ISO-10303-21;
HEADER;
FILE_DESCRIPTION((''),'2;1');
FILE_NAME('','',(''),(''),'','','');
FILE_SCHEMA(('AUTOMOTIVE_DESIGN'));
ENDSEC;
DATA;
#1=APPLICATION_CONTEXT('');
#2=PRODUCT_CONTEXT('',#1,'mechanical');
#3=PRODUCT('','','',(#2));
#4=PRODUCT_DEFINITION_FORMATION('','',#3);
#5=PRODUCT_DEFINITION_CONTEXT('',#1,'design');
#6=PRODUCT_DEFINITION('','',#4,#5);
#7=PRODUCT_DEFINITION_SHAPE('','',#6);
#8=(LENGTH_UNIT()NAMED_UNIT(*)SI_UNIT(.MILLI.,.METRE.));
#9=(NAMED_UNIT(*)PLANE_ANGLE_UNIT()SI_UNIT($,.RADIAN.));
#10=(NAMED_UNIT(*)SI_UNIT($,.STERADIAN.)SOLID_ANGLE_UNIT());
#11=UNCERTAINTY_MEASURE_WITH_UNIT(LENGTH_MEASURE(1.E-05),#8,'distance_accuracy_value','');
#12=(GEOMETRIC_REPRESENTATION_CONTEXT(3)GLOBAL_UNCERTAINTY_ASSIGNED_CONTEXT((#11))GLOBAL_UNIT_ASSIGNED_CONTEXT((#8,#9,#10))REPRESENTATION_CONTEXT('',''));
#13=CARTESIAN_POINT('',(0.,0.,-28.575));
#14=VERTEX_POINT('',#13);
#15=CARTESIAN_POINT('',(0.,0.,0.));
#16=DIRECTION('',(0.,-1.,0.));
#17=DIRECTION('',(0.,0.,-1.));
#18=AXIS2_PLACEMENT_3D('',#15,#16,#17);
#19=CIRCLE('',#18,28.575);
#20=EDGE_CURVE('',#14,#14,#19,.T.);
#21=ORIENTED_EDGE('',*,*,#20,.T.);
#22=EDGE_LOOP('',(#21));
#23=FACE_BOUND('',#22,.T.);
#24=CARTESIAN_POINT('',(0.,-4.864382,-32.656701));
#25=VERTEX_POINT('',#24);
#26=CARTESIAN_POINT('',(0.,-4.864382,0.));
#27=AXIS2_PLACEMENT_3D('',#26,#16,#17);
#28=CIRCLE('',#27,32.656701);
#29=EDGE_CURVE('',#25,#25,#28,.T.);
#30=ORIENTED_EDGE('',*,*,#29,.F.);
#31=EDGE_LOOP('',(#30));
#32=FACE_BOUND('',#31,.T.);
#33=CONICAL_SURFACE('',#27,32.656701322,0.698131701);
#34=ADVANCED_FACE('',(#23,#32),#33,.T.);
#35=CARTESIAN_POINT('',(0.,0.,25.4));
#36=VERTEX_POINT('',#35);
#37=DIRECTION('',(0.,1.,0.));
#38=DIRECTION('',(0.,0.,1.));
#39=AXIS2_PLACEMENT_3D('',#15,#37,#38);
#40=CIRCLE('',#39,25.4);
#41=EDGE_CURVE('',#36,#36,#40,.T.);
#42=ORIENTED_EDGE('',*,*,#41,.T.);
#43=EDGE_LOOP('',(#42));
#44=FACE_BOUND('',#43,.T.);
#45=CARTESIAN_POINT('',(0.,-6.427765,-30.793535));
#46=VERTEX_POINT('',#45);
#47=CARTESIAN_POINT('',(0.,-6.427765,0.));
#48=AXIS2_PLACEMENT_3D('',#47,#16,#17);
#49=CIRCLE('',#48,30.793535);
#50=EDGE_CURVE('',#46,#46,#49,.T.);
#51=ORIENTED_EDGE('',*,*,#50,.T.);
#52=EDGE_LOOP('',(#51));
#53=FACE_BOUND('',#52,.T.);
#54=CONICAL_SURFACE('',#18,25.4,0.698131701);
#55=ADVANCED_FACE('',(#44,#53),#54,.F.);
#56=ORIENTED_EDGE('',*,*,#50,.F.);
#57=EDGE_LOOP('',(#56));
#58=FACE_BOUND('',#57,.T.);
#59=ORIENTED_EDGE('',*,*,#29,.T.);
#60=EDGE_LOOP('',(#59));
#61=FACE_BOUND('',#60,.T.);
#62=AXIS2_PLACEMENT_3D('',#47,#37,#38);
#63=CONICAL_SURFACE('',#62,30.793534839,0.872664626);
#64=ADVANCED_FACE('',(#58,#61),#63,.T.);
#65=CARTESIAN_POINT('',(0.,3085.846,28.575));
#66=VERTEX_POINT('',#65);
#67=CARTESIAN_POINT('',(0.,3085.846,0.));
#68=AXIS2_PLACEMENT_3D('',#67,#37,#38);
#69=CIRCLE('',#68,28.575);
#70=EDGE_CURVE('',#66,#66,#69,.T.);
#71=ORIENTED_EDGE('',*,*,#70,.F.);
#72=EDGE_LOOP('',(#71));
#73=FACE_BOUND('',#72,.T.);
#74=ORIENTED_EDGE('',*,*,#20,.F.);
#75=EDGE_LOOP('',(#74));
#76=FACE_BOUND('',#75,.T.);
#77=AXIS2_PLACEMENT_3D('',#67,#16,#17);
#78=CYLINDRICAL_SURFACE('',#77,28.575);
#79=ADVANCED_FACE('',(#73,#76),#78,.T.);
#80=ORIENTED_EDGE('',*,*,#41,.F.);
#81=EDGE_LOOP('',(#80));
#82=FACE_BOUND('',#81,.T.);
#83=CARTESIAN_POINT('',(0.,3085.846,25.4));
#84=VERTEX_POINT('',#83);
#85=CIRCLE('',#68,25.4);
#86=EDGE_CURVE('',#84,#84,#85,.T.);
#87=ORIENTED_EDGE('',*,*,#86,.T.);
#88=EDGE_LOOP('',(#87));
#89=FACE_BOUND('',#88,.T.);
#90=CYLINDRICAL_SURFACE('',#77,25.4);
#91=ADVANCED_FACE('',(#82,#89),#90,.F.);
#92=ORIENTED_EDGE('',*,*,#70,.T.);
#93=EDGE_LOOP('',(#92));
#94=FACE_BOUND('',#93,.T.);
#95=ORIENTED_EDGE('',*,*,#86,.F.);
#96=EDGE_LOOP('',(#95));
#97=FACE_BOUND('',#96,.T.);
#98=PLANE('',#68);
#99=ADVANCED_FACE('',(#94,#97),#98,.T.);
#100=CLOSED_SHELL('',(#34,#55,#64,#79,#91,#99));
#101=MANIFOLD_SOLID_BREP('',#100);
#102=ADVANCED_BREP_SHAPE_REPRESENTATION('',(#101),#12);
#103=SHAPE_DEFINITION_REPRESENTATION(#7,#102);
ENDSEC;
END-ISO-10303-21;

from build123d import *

# Parameters (mm, degrees)
SKETCH1_R           = 28.575
SKETCH1_R_2         = 25.4
BOSS_EXTRUDE1_DEPTH = 3085.846


with BuildPart() as part:
    # Sketch1 → Boss-Extrude1 (new body)
    with BuildSketch(Plane(origin=(0, 0, 0), x_dir=(1, 0, 0), z_dir=(0, 1, 0))):
        Circle(SKETCH1_R)
        Circle(SKETCH1_R_2, mode=Mode.SUBTRACT)
    extrude(amount=BOSS_EXTRUDE1_DEPTH)

    # Sketch3 → Revolve1 (revolve)
    with BuildSketch(Plane.XY):
        Polygon((28.575, 0), (32.656701322, -4.864382214), (30.793534839, -6.427764522), (25.4, 0), align=None)
    revolve(axis=Axis((0, -154.2923, 0), (0, 1, 0)))


solid = part.part
